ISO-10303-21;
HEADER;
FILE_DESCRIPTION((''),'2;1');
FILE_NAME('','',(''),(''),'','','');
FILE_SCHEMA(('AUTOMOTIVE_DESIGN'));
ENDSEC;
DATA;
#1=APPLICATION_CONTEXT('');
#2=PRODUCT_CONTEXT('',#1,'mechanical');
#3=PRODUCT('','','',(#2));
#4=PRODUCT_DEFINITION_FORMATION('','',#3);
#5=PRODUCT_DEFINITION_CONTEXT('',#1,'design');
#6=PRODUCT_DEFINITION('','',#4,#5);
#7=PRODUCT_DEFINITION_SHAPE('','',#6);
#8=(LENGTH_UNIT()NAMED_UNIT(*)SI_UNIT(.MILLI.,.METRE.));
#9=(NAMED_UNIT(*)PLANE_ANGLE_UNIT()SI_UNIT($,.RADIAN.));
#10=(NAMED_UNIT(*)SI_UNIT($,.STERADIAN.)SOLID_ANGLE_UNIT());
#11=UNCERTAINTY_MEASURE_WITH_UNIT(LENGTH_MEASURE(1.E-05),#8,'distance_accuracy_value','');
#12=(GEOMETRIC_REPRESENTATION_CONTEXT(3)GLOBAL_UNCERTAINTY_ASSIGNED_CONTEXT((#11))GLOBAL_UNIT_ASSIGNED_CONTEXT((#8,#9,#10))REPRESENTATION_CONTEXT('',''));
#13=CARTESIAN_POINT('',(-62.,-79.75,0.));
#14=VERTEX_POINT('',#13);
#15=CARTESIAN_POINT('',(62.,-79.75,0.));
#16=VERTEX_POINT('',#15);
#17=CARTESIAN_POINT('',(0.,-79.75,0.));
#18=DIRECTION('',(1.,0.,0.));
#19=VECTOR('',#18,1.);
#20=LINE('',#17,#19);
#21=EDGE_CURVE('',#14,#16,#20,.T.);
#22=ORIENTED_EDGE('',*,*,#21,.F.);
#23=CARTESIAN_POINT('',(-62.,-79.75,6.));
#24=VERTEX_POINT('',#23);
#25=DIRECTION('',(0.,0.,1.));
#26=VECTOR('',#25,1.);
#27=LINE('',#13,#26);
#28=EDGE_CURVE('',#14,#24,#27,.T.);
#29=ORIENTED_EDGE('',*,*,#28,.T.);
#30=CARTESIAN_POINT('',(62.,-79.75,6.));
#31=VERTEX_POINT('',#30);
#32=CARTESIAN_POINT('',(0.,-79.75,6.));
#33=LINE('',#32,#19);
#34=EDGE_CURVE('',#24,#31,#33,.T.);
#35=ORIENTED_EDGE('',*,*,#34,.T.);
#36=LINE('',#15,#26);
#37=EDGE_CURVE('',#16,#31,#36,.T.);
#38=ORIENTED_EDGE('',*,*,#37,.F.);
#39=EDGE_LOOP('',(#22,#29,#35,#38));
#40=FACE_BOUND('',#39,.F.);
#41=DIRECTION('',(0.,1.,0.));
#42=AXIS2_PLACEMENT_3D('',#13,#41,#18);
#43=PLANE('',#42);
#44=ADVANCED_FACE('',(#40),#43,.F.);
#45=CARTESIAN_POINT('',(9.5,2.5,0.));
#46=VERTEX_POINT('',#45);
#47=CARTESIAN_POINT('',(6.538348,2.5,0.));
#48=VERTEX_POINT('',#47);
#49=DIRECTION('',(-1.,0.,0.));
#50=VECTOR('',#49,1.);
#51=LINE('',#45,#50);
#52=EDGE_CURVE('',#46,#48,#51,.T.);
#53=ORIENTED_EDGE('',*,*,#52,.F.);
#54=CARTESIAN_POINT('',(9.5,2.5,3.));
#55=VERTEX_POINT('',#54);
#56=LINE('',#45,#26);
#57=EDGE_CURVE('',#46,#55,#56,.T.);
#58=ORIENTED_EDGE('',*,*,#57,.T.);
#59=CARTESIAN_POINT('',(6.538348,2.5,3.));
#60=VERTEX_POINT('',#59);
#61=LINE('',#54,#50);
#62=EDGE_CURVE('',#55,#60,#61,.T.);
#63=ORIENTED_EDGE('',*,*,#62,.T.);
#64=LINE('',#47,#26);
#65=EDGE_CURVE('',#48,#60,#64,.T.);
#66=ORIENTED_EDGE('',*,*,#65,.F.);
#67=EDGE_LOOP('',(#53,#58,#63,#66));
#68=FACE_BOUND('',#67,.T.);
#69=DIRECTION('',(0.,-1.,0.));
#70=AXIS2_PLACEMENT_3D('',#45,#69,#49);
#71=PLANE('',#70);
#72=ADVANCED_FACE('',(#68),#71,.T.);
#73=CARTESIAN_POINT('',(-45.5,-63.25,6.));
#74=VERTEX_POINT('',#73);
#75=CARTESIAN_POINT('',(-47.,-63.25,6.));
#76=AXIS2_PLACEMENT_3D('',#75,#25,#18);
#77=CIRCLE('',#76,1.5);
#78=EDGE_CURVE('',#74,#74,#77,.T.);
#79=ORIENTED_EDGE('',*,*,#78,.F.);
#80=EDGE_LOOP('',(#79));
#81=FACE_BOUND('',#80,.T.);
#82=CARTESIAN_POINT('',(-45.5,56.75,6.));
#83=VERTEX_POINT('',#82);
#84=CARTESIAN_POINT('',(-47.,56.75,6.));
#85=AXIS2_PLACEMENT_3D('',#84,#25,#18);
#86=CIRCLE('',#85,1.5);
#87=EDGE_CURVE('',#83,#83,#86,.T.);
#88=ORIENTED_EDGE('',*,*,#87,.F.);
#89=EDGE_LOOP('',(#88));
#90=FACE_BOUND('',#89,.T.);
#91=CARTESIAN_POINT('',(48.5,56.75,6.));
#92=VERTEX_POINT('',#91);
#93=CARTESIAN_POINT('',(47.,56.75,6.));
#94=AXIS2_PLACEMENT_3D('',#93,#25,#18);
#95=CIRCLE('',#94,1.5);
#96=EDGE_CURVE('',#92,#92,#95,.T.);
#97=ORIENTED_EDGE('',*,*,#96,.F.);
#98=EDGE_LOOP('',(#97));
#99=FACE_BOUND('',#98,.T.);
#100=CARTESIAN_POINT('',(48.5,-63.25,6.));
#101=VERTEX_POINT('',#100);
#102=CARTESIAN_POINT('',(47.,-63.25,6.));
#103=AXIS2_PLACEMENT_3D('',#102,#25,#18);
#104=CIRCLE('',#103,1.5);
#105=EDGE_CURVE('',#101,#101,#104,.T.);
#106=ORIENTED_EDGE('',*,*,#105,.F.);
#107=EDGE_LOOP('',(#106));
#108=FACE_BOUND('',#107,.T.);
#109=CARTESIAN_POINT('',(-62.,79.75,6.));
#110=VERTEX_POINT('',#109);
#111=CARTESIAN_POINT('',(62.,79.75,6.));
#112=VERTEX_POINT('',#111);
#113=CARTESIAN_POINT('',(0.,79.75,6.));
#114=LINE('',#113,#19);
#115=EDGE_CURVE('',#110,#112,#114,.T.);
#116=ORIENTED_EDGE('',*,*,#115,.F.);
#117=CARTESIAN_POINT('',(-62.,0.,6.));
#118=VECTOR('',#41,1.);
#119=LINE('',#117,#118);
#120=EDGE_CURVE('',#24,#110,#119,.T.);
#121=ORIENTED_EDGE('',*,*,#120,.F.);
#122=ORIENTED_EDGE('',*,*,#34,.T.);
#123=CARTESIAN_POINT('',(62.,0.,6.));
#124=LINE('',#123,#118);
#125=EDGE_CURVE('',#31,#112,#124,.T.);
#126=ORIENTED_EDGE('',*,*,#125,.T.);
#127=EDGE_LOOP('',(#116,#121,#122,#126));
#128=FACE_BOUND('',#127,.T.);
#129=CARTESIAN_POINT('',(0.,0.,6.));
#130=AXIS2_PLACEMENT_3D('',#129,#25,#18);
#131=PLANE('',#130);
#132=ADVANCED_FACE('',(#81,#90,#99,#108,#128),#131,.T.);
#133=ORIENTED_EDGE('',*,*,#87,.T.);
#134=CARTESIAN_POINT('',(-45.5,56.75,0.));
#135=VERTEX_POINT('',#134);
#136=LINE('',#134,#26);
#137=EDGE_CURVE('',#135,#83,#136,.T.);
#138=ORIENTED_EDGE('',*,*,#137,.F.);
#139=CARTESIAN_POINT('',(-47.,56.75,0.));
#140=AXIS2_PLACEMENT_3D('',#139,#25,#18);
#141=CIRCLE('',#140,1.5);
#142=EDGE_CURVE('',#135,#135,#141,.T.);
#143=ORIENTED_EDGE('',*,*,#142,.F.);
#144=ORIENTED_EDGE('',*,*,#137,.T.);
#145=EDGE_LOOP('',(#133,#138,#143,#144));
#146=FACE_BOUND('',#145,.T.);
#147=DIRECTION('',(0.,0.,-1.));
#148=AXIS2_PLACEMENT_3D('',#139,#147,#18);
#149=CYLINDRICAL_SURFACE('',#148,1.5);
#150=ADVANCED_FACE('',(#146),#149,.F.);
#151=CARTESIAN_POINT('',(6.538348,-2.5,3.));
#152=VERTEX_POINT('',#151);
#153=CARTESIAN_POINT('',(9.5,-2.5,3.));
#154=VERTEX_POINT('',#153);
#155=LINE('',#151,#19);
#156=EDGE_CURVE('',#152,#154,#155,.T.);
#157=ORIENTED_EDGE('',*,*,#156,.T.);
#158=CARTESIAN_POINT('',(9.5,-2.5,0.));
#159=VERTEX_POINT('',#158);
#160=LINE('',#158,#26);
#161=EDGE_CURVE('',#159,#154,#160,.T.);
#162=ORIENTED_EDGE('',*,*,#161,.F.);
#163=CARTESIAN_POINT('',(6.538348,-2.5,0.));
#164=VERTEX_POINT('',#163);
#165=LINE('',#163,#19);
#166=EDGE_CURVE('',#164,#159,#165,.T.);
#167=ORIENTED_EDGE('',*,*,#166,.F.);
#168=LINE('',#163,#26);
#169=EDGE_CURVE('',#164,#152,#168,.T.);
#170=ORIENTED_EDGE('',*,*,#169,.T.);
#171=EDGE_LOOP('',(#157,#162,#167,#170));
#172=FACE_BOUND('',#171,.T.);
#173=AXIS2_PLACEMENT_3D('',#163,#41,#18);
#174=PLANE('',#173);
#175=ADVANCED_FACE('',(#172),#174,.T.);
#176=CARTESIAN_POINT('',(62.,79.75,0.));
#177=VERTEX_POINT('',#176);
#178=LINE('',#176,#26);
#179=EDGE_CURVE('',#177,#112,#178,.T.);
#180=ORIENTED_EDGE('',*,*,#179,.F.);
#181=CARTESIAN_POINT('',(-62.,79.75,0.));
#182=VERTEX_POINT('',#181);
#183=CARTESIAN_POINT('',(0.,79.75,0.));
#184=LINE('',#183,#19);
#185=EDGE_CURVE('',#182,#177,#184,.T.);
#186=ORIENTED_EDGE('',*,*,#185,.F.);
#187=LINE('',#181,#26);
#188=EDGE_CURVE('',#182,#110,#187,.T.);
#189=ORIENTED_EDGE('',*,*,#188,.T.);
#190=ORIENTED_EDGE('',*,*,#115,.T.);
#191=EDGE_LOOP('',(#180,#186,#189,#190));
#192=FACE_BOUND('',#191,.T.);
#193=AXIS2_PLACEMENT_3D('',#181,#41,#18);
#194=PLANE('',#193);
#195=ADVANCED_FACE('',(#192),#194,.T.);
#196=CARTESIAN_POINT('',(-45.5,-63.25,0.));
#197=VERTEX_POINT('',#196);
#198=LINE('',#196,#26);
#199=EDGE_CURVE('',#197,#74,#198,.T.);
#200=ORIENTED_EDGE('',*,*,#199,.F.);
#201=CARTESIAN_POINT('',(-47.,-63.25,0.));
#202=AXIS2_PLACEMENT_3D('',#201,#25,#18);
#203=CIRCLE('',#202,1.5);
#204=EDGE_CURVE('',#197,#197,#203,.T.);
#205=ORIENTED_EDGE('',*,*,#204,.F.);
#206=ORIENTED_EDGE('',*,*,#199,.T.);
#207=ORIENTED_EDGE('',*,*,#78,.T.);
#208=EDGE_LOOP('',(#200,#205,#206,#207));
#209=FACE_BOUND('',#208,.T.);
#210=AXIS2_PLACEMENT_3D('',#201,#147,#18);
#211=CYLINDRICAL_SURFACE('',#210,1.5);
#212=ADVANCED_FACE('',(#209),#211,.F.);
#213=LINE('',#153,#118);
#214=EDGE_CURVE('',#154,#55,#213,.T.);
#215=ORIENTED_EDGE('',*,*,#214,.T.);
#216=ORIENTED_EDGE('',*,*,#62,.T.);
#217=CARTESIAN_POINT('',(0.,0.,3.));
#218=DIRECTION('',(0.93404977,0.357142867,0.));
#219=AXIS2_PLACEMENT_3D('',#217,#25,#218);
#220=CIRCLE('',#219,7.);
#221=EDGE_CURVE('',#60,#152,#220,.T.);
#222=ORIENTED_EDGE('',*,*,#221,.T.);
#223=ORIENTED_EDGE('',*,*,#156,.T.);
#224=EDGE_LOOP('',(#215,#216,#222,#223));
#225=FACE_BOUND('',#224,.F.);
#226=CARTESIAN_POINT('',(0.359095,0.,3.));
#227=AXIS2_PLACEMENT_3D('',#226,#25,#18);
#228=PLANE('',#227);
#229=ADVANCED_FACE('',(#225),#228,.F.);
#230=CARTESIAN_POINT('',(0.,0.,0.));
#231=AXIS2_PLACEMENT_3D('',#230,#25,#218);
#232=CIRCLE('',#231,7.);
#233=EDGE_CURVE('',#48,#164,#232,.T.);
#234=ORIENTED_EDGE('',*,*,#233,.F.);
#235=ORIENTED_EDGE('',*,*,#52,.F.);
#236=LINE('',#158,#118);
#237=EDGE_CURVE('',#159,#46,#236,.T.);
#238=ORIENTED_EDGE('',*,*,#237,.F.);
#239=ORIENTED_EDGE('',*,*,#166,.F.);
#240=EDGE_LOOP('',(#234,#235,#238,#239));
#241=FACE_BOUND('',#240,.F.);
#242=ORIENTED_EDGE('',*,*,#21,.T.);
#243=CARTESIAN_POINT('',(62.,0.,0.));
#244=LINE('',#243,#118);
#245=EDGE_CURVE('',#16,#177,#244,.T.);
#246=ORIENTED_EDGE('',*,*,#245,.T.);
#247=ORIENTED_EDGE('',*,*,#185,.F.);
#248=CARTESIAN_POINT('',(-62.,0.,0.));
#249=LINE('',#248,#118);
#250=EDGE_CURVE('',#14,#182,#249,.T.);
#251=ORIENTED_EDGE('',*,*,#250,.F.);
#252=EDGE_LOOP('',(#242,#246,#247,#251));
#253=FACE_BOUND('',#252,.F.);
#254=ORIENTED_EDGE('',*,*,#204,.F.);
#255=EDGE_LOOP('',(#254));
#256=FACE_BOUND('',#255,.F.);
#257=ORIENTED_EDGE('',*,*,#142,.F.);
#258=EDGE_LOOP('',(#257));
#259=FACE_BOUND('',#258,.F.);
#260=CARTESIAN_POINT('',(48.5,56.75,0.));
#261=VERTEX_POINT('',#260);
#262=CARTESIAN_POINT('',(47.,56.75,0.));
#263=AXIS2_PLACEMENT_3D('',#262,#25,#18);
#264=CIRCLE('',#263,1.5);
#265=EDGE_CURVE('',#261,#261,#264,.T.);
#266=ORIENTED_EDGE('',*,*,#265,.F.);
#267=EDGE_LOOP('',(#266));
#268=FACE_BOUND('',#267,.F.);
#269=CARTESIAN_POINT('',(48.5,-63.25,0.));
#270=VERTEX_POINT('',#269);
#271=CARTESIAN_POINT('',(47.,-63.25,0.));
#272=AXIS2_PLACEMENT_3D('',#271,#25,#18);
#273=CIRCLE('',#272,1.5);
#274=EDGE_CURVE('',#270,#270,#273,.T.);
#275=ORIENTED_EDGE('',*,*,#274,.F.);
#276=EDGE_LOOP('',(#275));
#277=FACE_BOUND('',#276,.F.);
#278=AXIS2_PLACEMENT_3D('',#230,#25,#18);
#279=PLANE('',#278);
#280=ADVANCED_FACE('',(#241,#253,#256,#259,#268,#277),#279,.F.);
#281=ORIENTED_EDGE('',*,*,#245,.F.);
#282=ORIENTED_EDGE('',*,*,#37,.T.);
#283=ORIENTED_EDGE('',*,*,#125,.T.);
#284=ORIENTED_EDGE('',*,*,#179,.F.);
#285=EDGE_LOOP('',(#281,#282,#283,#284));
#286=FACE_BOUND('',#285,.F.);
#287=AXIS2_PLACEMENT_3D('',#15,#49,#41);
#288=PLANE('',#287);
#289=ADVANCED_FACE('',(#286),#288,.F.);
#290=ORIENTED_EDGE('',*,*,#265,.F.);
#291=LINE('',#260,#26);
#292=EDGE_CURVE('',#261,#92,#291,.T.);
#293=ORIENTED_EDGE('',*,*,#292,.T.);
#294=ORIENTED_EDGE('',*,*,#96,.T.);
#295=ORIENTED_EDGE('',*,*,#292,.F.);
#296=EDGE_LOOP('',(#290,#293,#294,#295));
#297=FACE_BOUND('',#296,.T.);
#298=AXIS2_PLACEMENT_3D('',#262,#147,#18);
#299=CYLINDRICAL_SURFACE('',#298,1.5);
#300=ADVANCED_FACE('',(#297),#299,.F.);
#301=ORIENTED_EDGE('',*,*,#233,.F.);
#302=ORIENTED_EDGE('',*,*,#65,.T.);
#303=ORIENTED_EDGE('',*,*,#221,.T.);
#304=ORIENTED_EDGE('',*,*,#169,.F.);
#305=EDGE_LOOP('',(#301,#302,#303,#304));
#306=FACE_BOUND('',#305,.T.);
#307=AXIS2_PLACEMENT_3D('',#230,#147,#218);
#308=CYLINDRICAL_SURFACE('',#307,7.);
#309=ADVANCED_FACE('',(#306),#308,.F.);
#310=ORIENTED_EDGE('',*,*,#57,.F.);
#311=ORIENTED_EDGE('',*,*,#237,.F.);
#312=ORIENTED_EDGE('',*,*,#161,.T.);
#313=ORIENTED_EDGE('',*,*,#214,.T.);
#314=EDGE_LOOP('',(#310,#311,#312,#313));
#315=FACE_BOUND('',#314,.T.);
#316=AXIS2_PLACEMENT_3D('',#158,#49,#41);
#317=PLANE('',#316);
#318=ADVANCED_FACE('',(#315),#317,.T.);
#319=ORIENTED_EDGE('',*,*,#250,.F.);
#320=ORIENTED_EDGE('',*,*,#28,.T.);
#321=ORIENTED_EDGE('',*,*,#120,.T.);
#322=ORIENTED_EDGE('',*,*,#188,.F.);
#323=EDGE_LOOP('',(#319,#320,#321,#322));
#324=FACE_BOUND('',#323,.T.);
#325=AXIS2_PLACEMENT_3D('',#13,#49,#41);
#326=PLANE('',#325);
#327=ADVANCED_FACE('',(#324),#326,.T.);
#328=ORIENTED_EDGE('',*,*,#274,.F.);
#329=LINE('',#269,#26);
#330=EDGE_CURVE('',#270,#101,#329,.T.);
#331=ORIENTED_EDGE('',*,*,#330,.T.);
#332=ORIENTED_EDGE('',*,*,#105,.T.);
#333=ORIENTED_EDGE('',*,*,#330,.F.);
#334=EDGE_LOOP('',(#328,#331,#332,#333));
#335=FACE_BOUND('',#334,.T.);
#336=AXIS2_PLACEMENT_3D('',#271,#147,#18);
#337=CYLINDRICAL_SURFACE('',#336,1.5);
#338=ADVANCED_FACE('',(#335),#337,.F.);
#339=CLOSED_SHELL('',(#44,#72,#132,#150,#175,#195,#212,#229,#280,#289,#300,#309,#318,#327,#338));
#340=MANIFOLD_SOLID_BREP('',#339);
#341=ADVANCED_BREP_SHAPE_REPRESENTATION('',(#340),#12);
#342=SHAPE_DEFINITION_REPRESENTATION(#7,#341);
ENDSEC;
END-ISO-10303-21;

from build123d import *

# Parameters (mm, degrees)
F0_W     = 124
F0_H     = 159.5
F0_R     = 1.5
F1_DEPTH = 6
F2_DEPTH = 3


with BuildPart() as f1:
    # F0 (on Top) → F1 (new body)
    with BuildSketch(Plane.XY):
        Rectangle(F0_W, F0_H)
        with Locations((-47, -63.25)):
            Circle(F0_R, mode=Mode.SUBTRACT)
        with Locations((47, -63.25)):
            Circle(F0_R, mode=Mode.SUBTRACT)
        with Locations((-47, 56.75)):
            Circle(F0_R, mode=Mode.SUBTRACT)
        with BuildLine():
            ThreePointArc((6.538348, -2.5), (-7, 0), (6.538348, 2.5))
            Line((6.538348, 2.5), (9.5, 2.5))
            Line((9.5, 2.5), (9.5, 0))
            Line((9.5, 0), (9.5, -2.5))
            Line((9.5, -2.5), (6.538348, -2.5))
        make_face(mode=Mode.SUBTRACT)
        with Locations((47, 56.75)):
            Circle(F0_R, mode=Mode.SUBTRACT)
        with BuildLine():
            ThreePointArc((6.538348, -2.5), (6.88362, -1.271134), (7, 0))
            ThreePointArc((7, 0), (6.88362, 1.271134), (6.538348, 2.5))
            ThreePointArc((6.538348, 2.5), (-7, 0), (6.538348, -2.5))
        make_face()
        with BuildLine():
            ThreePointArc((6.538348, 2.5), (6.88362, 1.271134), (7, 0))
            ThreePointArc((7, 0), (6.88362, -1.271134), (6.538348, -2.5))
            Line((6.538348, -2.5), (9.5, -2.5))
            Line((9.5, -2.5), (9.5, 0))
            Line((9.5, 0), (9.5, 2.5))
            Line((9.5, 2.5), (6.538348, 2.5))
        make_face()
    extrude(amount=F1_DEPTH)

    # F0 (on Top) → F2 (cut)
    with BuildSketch(Plane.XY):
        with BuildLine():
            ThreePointArc((6.538348, -2.5), (6.88362, -1.271134), (7, 0))
            ThreePointArc((7, 0), (6.88362, 1.271134), (6.538348, 2.5))
            ThreePointArc((6.538348, 2.5), (-7, 0), (6.538348, -2.5))
        make_face()
        with BuildLine():
            ThreePointArc((6.538348, 2.5), (6.88362, 1.271134), (7, 0))
            ThreePointArc((7, 0), (6.88362, -1.271134), (6.538348, -2.5))
            Line((6.538348, -2.5), (9.5, -2.5))
            Line((9.5, -2.5), (9.5, 0))
            Line((9.5, 0), (9.5, 2.5))
            Line((9.5, 2.5), (6.538348, 2.5))
        make_face()
    extrude(amount=F2_DEPTH, mode=Mode.SUBTRACT)


solid = f1.part
